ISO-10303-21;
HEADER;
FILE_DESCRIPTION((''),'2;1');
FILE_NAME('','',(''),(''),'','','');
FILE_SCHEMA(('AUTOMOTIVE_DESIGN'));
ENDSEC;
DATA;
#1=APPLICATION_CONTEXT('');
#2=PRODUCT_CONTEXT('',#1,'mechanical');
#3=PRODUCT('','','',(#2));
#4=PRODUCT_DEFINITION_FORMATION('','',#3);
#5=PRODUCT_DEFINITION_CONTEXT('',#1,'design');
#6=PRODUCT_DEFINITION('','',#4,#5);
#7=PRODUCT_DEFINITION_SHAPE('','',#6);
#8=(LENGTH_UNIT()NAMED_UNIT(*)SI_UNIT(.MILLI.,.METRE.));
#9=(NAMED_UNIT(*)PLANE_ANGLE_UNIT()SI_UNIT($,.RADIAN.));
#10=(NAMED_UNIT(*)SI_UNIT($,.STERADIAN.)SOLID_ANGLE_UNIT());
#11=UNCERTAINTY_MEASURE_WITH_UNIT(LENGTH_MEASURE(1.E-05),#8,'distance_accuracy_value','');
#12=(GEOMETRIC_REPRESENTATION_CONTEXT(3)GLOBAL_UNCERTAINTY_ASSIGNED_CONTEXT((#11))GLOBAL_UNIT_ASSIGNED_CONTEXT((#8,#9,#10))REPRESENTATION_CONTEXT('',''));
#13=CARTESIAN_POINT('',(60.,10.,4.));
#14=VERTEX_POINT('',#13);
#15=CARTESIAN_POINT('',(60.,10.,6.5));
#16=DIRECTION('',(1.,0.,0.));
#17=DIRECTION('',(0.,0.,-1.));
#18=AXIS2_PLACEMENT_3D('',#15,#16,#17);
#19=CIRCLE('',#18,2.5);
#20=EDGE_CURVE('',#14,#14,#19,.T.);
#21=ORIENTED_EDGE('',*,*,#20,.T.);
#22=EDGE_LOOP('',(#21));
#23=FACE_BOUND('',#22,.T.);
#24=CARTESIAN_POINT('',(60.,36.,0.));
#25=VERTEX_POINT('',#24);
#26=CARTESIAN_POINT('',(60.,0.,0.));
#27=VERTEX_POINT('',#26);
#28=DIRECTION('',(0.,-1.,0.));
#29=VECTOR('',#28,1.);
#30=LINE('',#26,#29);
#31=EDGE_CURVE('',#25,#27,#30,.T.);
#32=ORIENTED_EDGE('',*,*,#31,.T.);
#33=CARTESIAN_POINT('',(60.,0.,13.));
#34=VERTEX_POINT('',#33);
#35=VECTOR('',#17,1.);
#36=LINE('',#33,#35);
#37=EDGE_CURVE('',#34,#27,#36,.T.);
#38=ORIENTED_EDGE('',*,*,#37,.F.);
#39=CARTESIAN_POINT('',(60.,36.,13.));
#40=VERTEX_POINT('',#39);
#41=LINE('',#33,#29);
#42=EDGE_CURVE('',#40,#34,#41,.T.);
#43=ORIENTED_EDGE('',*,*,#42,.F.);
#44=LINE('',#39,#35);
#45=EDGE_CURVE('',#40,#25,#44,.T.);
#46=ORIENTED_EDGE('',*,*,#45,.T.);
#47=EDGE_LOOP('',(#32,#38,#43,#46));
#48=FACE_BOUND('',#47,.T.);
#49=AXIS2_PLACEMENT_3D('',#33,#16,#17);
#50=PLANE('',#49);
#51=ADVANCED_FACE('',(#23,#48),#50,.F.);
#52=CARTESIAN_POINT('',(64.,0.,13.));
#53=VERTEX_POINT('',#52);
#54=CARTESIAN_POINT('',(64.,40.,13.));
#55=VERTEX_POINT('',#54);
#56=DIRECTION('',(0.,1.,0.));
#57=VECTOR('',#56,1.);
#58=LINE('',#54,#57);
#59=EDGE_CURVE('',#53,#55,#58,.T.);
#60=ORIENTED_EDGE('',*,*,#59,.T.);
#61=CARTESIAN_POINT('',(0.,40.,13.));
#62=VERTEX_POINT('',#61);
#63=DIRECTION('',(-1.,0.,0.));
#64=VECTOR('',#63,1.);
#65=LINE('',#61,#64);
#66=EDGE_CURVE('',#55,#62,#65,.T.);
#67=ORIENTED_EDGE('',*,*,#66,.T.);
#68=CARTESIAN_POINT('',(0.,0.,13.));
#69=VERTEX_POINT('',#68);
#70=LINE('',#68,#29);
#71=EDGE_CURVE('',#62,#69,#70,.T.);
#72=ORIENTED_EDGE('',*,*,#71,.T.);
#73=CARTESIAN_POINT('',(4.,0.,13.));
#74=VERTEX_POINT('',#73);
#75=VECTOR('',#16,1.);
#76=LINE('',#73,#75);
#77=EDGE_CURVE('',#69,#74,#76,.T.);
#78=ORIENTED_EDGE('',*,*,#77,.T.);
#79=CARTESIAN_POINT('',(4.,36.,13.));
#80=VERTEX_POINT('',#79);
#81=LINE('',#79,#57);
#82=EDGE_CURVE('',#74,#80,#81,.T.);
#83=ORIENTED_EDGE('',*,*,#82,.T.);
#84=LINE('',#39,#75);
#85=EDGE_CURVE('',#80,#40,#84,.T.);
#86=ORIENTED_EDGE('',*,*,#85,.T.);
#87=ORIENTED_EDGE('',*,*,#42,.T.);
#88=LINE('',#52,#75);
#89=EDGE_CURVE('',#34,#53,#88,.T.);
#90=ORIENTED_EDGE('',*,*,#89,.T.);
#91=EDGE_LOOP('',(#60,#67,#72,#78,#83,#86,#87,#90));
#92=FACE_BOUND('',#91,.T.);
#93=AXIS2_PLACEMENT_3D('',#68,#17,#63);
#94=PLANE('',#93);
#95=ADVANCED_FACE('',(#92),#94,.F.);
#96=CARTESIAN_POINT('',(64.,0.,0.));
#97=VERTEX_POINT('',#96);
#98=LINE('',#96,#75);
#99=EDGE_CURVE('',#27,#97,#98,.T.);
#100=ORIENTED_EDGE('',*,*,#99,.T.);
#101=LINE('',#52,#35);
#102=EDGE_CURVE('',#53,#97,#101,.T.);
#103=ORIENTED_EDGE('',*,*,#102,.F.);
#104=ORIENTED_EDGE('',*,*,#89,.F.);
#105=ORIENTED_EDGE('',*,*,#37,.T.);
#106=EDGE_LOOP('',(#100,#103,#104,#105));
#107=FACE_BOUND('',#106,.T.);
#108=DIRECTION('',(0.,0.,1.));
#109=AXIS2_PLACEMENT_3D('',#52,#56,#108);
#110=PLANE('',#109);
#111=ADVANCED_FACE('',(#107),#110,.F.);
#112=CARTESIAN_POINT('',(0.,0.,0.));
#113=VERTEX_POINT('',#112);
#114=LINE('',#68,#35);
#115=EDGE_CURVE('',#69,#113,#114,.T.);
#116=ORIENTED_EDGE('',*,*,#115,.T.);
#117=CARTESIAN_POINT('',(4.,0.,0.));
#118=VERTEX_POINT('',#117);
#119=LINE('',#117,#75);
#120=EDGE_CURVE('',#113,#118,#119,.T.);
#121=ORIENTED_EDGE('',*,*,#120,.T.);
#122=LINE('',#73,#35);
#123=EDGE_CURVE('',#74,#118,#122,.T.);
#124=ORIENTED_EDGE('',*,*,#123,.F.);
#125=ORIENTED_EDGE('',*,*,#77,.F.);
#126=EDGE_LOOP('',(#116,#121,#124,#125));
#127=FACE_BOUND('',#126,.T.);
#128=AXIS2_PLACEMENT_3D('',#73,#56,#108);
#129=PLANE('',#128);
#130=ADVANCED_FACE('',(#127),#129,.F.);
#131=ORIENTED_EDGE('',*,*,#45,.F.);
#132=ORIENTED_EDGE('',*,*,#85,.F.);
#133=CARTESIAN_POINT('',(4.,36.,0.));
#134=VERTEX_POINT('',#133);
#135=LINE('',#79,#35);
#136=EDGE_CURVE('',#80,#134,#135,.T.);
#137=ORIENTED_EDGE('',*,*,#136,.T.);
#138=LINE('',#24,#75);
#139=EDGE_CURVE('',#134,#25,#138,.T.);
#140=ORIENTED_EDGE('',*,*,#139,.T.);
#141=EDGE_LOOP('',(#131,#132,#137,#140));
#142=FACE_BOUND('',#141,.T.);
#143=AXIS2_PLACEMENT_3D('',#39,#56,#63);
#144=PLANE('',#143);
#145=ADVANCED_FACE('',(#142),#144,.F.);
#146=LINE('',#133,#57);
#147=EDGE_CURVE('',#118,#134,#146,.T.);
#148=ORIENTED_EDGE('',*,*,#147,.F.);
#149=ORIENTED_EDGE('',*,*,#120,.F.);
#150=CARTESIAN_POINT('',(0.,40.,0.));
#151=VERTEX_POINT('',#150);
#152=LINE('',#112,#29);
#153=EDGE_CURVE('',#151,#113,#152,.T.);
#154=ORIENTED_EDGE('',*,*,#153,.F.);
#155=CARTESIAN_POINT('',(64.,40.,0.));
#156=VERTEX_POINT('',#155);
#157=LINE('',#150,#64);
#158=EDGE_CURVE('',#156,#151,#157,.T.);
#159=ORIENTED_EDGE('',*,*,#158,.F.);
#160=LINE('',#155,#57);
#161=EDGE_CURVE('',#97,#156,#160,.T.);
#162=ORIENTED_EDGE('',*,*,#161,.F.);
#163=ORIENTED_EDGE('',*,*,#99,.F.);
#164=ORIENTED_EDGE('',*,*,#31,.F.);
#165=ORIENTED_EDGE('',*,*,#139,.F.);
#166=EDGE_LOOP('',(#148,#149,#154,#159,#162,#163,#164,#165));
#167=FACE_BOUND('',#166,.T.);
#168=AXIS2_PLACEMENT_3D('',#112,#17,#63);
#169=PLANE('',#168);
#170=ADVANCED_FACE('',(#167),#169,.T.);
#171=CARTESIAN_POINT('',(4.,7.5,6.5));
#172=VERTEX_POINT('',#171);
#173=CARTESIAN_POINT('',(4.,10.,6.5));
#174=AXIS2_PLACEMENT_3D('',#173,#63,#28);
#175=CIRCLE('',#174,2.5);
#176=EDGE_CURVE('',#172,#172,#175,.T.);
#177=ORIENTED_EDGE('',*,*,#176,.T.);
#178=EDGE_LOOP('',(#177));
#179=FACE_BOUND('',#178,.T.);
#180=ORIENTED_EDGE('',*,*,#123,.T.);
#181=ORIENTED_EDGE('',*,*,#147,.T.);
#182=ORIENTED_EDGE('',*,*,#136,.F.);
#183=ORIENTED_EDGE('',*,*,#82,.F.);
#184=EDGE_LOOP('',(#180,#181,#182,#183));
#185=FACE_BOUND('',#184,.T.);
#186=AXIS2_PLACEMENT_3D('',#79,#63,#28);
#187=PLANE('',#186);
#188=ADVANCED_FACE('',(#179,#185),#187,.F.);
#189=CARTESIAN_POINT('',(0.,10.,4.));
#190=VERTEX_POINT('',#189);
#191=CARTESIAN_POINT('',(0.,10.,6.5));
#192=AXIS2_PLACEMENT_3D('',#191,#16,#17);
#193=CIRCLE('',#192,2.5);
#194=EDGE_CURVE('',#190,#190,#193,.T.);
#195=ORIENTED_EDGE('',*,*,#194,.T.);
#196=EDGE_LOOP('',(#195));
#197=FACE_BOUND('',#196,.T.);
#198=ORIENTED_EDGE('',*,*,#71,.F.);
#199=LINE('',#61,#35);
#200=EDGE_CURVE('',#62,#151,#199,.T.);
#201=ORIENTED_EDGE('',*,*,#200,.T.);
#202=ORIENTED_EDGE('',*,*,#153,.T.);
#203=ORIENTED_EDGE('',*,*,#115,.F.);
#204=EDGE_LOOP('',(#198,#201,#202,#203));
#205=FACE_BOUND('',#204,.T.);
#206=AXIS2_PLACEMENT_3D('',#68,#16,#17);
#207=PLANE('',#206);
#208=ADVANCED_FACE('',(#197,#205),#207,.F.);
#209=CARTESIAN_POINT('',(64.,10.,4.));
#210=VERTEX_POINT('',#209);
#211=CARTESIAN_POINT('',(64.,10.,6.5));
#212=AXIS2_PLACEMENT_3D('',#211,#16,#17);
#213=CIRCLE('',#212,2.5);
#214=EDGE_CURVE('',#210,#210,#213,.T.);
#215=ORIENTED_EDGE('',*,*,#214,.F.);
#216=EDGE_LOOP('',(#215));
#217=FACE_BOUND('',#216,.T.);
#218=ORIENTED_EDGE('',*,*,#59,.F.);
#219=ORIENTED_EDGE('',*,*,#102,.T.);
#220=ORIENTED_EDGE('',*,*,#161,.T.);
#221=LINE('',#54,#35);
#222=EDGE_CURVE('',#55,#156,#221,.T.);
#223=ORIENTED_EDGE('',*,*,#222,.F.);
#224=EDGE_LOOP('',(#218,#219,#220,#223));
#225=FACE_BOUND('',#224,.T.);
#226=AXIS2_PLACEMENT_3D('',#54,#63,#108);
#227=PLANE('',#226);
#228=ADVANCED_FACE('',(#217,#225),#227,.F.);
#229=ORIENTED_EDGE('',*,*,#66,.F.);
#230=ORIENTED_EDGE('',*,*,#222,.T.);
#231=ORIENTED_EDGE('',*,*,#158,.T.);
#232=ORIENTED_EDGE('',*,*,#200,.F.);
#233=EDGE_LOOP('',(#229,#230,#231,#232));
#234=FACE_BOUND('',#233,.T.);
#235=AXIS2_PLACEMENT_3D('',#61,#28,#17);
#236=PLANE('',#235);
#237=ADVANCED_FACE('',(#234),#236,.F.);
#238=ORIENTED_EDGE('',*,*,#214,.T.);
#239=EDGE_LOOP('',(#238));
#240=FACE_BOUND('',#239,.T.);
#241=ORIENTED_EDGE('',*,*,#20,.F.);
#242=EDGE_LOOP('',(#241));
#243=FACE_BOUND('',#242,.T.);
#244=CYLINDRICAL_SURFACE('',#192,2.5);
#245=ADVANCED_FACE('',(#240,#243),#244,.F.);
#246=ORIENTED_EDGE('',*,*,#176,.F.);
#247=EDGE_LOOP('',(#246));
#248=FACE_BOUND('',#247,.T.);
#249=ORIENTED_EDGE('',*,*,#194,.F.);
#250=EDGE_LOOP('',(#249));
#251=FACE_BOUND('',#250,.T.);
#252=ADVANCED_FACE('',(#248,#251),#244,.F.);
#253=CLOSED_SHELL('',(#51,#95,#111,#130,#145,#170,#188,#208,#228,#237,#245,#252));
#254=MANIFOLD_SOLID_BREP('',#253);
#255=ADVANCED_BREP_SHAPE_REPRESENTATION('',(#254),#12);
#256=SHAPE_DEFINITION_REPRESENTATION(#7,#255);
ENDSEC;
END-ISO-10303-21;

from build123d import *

# Parameters (mm, degrees)
BOSS_EXTRU_1_DEPTH      = 13
ESQUISSE2_R             = 2.5
ENL_V_MAT_EXTRU_1_DEPTH = 77.583287994


with BuildPart() as part:
    # Esquisse1 → Boss.-Extru.1 (new body)
    with BuildSketch(Plane.XY):
        Polygon((0, 0), (0, 40), (64, 40), (64, 0), (60, 0), (60, 36), (4, 36), (4, 0), align=None)
    extrude(amount=BOSS_EXTRU_1_DEPTH)

    # Esquisse2 → Enlèv. mat.-Extru.1 (cut, through all)
    with BuildSketch(Plane(origin=(64, 0, 0), x_dir=(0, 0, -1), z_dir=(1, 0, 0))):
        with Locations((-6.5, 10)):
            Circle(ESQUISSE2_R)
    extrude(amount=-ENL_V_MAT_EXTRU_1_DEPTH, mode=Mode.SUBTRACT)


solid = part.part
